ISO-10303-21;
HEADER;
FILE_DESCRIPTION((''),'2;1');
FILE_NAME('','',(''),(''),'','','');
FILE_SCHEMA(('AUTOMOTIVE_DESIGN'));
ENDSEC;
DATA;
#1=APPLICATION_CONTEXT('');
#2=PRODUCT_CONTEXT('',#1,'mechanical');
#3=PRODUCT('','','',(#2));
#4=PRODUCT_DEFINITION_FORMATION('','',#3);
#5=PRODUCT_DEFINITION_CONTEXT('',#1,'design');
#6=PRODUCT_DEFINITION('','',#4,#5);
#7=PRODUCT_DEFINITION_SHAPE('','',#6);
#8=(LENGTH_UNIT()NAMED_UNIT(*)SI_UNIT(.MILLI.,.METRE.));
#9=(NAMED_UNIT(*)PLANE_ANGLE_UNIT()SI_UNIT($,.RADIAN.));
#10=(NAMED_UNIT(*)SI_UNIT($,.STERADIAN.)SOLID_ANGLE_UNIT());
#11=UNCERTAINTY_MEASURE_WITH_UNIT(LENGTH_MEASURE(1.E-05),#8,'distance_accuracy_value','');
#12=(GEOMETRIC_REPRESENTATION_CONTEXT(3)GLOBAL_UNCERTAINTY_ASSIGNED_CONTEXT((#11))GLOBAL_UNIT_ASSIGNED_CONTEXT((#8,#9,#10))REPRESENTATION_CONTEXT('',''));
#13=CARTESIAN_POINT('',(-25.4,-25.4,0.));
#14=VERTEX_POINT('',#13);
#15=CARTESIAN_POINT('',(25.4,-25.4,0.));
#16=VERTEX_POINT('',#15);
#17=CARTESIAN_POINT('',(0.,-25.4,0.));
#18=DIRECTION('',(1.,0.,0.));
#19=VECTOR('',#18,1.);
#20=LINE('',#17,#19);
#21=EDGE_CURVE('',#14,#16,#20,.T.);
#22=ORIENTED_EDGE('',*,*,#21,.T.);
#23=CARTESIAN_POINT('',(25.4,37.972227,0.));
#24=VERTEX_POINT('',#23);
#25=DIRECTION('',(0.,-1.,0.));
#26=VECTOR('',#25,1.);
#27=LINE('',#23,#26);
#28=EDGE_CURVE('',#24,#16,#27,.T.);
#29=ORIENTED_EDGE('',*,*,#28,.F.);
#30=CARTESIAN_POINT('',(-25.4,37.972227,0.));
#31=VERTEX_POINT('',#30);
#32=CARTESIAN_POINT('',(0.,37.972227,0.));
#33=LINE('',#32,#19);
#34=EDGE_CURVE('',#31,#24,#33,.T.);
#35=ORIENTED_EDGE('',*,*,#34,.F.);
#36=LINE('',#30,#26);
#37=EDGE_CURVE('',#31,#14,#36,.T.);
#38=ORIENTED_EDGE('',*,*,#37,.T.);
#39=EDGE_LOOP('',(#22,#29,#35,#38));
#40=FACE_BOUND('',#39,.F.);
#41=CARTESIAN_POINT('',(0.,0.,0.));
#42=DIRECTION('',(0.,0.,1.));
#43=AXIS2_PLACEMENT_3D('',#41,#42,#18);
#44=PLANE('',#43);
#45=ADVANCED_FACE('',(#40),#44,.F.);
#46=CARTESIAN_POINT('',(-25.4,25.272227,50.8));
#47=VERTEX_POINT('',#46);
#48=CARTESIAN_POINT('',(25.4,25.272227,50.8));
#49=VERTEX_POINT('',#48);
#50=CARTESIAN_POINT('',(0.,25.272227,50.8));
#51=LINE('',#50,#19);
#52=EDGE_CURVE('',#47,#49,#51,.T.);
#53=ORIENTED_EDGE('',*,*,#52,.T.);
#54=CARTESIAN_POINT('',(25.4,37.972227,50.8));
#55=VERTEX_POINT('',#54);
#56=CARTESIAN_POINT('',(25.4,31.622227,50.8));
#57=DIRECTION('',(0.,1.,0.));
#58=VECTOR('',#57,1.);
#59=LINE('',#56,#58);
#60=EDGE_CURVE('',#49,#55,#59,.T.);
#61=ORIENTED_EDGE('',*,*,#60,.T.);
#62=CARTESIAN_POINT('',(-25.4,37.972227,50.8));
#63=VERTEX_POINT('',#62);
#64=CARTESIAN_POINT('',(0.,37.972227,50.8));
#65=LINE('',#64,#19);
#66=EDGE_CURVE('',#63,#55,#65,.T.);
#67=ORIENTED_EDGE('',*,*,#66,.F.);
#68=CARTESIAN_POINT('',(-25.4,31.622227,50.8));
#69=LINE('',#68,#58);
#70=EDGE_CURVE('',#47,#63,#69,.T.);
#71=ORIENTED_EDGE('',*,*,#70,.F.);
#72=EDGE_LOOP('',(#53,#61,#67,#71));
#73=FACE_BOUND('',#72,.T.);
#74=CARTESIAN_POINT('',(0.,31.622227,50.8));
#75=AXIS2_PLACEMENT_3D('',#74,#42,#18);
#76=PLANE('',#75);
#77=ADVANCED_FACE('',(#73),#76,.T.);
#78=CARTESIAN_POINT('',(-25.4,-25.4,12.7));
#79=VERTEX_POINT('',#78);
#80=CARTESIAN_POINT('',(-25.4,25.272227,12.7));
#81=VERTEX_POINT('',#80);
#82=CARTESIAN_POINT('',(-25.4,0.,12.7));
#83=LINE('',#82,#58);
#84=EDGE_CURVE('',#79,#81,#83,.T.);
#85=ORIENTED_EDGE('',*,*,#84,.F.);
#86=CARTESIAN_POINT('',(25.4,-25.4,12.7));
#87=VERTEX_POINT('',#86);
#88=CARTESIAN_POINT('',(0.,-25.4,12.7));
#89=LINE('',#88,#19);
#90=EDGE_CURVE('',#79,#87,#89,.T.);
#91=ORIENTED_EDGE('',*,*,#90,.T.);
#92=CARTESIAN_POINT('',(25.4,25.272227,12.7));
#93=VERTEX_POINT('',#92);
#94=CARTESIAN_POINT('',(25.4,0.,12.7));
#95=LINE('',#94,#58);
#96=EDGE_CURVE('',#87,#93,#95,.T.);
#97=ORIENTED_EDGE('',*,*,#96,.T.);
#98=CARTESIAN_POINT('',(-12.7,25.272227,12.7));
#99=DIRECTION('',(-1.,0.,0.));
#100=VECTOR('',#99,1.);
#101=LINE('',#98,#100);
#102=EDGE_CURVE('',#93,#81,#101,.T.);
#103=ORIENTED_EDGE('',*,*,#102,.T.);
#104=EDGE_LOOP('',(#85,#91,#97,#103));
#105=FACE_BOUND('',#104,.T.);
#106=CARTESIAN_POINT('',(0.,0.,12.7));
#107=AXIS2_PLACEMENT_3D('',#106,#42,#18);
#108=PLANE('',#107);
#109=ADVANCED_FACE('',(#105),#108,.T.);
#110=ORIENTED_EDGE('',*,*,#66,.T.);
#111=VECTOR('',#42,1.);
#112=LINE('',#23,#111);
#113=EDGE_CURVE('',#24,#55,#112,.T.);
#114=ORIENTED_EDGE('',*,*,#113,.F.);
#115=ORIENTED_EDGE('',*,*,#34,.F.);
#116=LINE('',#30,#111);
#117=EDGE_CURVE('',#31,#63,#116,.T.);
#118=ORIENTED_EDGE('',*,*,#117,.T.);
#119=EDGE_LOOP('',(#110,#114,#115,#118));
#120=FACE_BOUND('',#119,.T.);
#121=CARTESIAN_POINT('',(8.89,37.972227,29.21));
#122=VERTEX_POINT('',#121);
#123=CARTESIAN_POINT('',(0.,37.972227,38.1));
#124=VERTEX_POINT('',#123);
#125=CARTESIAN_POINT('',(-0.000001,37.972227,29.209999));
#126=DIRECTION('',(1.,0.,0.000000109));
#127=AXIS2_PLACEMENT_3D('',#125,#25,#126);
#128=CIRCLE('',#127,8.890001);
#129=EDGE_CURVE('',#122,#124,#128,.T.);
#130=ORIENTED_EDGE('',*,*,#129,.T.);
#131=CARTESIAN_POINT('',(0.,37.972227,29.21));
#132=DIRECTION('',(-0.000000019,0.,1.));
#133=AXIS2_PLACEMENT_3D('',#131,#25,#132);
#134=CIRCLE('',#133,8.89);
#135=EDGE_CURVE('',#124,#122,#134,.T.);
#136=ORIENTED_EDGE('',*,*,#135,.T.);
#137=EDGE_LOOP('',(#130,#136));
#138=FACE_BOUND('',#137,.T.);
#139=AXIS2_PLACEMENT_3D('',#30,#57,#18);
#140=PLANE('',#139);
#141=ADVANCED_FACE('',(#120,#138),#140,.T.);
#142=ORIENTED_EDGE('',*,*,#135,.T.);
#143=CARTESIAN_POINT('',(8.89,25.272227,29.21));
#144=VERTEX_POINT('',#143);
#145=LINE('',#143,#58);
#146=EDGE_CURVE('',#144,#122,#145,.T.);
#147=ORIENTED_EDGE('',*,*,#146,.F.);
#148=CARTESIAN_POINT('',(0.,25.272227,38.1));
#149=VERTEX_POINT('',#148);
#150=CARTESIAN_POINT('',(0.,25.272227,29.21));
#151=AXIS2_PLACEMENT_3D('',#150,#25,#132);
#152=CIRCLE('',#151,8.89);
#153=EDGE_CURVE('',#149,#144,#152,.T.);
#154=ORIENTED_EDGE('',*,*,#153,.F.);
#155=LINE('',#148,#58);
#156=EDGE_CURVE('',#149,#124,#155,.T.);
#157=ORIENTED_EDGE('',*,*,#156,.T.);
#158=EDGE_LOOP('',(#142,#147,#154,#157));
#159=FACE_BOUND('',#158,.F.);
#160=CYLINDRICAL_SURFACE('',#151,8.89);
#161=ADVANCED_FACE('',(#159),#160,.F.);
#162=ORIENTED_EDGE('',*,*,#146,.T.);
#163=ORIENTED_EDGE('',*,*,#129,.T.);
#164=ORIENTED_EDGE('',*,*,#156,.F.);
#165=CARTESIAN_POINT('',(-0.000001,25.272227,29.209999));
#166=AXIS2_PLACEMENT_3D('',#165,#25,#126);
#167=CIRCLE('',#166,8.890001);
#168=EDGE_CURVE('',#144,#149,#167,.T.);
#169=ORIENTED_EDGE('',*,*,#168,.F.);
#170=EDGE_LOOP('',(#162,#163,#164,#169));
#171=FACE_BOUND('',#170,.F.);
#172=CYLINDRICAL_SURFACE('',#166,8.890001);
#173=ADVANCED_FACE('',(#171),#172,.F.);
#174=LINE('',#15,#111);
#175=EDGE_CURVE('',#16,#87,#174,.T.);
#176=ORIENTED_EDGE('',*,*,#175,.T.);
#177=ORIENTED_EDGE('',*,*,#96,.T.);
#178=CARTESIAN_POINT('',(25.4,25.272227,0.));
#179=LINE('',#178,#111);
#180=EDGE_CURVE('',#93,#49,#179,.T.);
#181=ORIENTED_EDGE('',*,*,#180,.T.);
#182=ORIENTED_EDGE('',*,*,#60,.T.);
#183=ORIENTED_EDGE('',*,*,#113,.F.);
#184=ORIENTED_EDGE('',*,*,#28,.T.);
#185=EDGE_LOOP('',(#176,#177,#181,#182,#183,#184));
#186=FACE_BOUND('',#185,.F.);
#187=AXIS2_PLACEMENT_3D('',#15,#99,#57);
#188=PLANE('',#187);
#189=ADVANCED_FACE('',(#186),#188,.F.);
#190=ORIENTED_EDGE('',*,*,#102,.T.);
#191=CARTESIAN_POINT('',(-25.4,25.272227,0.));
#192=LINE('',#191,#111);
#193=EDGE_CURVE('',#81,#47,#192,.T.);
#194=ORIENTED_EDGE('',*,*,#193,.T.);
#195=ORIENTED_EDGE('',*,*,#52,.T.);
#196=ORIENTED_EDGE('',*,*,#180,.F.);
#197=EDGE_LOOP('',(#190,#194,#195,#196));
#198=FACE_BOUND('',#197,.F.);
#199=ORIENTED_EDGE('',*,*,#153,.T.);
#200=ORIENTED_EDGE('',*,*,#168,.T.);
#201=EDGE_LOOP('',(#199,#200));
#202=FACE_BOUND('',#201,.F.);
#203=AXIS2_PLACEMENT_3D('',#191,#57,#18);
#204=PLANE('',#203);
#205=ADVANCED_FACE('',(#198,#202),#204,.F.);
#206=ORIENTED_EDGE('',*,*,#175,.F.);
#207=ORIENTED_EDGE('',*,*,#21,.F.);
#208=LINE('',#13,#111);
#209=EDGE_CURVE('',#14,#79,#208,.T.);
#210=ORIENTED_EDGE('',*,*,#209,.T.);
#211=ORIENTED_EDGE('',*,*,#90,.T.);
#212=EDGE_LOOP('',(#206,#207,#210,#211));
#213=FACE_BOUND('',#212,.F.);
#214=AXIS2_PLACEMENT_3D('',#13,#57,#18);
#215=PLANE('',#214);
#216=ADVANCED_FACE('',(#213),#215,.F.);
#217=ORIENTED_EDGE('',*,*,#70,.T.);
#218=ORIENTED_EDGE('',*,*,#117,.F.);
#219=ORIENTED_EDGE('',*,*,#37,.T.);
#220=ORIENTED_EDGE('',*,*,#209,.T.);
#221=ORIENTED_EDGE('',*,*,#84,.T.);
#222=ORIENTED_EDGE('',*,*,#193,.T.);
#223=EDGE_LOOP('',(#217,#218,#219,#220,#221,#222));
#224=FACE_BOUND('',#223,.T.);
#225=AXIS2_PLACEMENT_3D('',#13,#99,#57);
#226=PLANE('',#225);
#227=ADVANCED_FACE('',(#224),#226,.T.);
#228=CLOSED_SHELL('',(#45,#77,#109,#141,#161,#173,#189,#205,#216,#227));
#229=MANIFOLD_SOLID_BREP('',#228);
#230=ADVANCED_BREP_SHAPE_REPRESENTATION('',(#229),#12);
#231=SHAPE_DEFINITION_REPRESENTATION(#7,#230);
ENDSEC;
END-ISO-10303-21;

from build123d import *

# Parameters (mm, degrees)
F0_W     = 50.8
F0_H     = 50.8
F1_DEPTH = 12.7
F2_W     = 50.8
F2_H     = 12.7
F3_DEPTH = 50.8
F5_DEPTH = 12.7


with BuildPart() as f1:
    # F0 (on Top) → F1 (new body)
    with BuildSketch(Plane.XY):
        Rectangle(F0_W, F0_H)
    extrude(amount=F1_DEPTH)

    # F2 (on Top) → F3 (join)
    with BuildSketch(Plane.XY):
        with Locations((0, 31.622227)):
            Rectangle(F2_W, F2_H)
    extrude(amount=F3_DEPTH)

    # F4 (on face) → F5 (cut)
    with BuildSketch(Plane.XZ.offset(-25.272227)):
        with BuildLine():
            ThreePointArc((0, 38.1), (-6.286179, 22.923821), (8.89, 29.21))
            ThreePointArc((8.89, 29.21), (6.286179, 35.496179), (0, 38.1))
        make_face()
    extrude(amount=-F5_DEPTH, mode=Mode.SUBTRACT)


solid = f1.part
